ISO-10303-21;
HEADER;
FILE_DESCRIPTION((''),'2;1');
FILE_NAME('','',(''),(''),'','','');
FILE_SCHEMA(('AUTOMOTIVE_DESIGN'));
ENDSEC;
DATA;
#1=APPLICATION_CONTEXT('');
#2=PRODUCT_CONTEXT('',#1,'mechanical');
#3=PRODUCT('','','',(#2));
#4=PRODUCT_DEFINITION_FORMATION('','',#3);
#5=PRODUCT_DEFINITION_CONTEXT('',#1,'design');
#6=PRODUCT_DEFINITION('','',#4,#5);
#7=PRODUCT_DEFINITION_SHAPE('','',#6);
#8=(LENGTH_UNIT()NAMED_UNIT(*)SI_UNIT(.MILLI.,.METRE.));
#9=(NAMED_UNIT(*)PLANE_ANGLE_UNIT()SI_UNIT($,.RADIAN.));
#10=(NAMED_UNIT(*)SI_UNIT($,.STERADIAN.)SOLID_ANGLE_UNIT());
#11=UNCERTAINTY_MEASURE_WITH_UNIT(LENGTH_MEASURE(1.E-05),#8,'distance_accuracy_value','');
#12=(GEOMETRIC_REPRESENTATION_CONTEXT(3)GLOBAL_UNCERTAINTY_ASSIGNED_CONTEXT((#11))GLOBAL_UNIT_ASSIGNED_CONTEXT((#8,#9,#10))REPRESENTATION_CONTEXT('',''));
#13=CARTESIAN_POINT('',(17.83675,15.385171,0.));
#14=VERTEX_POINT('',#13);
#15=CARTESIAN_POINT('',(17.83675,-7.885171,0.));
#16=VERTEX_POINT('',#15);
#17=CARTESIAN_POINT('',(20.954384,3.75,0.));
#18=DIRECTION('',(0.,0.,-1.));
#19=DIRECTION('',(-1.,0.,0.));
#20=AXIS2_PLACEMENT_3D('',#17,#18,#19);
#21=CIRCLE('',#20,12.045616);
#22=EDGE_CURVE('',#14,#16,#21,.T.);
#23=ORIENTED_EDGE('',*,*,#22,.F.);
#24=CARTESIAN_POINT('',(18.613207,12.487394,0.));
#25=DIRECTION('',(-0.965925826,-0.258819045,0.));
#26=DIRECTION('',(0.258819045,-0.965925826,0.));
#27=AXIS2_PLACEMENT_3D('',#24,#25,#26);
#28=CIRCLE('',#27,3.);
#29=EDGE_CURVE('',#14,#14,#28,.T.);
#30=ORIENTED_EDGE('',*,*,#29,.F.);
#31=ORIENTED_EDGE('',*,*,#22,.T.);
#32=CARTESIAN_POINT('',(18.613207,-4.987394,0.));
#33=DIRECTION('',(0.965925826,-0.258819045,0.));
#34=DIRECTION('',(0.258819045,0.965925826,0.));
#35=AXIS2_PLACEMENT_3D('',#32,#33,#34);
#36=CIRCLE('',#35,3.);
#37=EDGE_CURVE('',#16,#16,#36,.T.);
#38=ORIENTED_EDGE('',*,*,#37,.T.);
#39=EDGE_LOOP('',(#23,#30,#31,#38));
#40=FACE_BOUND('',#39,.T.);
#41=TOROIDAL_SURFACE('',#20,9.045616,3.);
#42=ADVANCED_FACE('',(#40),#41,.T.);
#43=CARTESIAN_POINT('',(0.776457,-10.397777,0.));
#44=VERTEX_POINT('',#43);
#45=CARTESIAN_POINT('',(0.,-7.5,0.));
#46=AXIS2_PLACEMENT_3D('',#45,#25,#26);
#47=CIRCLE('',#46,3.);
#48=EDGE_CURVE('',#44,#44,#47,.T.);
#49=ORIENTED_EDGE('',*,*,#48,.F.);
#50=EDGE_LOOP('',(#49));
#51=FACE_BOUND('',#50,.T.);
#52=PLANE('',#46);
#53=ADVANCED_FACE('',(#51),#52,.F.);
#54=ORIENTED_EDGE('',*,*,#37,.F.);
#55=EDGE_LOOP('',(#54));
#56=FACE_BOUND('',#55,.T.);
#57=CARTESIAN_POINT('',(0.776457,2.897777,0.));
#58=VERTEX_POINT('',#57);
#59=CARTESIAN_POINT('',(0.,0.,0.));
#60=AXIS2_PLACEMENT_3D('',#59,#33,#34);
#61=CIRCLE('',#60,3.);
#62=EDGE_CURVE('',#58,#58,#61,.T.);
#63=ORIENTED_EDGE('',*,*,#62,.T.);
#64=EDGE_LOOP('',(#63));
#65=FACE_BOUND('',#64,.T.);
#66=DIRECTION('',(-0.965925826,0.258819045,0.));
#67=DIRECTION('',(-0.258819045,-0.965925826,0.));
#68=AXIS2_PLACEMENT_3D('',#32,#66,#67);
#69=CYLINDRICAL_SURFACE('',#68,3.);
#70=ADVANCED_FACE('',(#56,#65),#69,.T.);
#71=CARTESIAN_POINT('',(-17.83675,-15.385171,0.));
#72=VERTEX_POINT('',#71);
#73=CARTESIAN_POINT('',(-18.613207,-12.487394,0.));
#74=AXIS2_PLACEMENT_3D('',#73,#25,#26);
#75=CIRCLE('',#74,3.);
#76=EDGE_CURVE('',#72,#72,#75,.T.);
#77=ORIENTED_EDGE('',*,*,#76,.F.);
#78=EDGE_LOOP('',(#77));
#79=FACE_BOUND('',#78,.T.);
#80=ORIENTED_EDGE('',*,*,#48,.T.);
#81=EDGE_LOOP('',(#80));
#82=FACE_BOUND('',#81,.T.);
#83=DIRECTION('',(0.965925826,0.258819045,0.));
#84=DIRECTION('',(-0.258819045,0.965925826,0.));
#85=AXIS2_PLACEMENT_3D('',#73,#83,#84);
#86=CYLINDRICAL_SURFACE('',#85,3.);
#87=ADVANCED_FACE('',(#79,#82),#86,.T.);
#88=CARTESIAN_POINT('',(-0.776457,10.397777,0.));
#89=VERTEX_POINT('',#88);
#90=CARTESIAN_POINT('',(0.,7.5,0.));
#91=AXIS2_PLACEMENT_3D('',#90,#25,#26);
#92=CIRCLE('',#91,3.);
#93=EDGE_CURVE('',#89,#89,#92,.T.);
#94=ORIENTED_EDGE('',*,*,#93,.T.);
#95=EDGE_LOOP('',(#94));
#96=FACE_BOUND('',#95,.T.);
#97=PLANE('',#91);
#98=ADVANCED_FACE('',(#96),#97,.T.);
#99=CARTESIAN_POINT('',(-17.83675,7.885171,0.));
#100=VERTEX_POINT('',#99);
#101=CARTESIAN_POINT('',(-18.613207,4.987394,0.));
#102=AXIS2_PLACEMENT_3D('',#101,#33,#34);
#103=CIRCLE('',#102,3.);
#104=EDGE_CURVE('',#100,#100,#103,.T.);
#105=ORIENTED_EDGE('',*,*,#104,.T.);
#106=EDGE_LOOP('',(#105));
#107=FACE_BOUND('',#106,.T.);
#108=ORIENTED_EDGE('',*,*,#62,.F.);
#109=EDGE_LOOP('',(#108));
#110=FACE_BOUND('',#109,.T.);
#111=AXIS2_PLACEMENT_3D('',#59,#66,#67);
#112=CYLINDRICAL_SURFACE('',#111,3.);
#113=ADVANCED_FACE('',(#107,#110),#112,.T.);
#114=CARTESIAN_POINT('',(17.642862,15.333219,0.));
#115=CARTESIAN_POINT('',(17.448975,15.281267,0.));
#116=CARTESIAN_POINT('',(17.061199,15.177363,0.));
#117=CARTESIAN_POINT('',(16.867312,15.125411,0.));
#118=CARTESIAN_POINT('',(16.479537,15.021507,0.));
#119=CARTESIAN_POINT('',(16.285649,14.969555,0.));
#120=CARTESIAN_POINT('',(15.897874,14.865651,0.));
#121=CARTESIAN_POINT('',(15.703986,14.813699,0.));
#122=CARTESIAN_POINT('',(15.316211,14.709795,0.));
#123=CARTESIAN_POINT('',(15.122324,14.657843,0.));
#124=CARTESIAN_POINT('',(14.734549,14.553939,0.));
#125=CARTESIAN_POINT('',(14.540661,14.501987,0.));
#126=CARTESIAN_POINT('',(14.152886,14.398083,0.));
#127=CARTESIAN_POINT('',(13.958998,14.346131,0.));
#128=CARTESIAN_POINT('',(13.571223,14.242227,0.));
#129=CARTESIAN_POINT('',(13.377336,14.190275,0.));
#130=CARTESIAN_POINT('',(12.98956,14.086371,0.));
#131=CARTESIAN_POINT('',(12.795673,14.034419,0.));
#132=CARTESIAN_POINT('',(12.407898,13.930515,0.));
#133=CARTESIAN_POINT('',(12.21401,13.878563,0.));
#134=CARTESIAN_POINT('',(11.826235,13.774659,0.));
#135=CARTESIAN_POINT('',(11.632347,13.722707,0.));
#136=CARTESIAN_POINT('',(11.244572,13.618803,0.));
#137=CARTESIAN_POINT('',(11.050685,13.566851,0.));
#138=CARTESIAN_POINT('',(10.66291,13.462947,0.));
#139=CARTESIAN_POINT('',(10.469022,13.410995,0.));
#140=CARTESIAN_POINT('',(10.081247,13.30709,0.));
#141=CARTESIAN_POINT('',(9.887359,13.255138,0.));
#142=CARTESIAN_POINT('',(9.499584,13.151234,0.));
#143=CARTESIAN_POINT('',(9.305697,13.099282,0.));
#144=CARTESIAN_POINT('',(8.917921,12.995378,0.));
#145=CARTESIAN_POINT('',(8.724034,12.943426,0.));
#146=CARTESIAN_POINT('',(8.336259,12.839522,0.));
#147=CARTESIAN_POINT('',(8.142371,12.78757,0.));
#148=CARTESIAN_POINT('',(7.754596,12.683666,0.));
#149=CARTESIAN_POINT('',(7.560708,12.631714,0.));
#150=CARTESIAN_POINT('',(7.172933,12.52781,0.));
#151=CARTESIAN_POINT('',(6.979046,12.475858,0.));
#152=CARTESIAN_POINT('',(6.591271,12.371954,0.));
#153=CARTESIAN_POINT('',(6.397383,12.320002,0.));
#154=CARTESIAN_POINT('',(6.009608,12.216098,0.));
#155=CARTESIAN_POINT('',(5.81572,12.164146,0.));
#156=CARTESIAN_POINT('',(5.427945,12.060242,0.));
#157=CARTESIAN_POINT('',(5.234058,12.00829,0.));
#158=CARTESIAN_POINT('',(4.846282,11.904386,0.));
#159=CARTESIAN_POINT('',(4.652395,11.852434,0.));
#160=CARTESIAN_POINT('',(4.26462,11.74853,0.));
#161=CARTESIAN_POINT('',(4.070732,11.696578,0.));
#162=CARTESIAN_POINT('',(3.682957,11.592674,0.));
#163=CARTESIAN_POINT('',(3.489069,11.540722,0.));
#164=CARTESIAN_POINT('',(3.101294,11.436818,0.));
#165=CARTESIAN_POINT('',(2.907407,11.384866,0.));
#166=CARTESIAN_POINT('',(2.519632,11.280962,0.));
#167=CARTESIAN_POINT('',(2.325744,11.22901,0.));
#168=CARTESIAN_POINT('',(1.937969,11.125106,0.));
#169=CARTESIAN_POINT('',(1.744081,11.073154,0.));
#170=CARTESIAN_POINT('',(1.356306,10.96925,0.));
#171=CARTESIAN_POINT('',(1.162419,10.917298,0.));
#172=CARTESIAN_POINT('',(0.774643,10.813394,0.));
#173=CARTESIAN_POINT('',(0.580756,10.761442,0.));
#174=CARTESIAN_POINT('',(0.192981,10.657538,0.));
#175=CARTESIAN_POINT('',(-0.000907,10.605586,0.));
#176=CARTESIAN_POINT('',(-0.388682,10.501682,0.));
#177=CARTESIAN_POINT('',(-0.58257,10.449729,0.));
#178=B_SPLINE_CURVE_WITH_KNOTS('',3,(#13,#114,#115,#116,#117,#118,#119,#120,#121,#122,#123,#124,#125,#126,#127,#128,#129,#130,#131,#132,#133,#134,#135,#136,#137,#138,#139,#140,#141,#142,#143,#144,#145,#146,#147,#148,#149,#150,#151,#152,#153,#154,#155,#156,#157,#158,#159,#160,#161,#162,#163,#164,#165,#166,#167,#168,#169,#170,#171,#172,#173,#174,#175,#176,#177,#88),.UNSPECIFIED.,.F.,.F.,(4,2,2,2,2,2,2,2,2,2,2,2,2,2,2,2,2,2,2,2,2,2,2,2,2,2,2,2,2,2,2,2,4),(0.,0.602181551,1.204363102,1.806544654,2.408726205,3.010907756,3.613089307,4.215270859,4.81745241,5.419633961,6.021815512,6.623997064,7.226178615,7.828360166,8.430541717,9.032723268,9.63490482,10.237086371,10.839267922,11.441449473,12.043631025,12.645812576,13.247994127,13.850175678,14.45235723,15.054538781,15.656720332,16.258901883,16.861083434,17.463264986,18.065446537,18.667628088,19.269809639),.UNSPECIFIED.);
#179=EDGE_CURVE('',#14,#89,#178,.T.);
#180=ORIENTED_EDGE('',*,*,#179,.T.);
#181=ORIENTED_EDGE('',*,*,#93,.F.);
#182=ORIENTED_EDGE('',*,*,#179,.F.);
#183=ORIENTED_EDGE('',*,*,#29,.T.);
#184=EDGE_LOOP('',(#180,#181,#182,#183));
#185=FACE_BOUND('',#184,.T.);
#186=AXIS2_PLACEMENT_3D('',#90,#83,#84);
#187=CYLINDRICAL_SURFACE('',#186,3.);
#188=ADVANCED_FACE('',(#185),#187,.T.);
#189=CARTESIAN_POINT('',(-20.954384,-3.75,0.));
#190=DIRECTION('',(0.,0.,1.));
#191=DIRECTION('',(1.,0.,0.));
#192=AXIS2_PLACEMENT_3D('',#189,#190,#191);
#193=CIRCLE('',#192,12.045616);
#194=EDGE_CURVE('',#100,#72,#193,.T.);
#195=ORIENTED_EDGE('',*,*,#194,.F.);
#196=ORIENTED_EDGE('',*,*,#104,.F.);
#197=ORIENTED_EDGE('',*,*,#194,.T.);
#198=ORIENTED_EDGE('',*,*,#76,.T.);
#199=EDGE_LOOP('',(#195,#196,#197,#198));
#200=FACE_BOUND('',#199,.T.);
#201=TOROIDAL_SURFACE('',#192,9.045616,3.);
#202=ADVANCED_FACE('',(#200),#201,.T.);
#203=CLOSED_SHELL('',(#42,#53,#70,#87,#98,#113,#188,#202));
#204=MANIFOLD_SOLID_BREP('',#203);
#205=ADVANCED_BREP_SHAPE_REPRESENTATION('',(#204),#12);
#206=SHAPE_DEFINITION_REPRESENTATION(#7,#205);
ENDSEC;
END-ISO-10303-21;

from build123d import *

# Parameters (mm, degrees)
SWEEP_1_PROFILE_R = 3


with BuildPart() as part:
    # По траектории1: sweep along a path in Эскиз1
    with BuildLine(Plane.XY) as sweep_1_path:
        Line((0, 7.5), (18.613206798, 12.48739373))
        ThreePointArc((18.613206798, 12.48739373), (30, 3.75), (18.613206798, -4.98739373))
        Line((18.613206798, -4.98739373), (0, 0))
        Line((0, 0), (-18.613206798, 4.98739373))
        ThreePointArc((-18.613206798, 4.98739373), (-30, -3.75), (-18.613206798, -12.48739373))
        Line((-18.613206798, -12.48739373), (0, -7.5))
    # По траектории1 profile (on start of the path) → По траектории1 (sweep)
    with BuildSketch(Plane(origin=(0, 7.5, 0), x_dir=(-0.25881904510251785, 0.9659258262890691, 0), z_dir=(0.9659258262890691, 0.25881904510251785, 0))):
        Circle(SWEEP_1_PROFILE_R)
    sweep(path=sweep_1_path.line)


solid = part.part
